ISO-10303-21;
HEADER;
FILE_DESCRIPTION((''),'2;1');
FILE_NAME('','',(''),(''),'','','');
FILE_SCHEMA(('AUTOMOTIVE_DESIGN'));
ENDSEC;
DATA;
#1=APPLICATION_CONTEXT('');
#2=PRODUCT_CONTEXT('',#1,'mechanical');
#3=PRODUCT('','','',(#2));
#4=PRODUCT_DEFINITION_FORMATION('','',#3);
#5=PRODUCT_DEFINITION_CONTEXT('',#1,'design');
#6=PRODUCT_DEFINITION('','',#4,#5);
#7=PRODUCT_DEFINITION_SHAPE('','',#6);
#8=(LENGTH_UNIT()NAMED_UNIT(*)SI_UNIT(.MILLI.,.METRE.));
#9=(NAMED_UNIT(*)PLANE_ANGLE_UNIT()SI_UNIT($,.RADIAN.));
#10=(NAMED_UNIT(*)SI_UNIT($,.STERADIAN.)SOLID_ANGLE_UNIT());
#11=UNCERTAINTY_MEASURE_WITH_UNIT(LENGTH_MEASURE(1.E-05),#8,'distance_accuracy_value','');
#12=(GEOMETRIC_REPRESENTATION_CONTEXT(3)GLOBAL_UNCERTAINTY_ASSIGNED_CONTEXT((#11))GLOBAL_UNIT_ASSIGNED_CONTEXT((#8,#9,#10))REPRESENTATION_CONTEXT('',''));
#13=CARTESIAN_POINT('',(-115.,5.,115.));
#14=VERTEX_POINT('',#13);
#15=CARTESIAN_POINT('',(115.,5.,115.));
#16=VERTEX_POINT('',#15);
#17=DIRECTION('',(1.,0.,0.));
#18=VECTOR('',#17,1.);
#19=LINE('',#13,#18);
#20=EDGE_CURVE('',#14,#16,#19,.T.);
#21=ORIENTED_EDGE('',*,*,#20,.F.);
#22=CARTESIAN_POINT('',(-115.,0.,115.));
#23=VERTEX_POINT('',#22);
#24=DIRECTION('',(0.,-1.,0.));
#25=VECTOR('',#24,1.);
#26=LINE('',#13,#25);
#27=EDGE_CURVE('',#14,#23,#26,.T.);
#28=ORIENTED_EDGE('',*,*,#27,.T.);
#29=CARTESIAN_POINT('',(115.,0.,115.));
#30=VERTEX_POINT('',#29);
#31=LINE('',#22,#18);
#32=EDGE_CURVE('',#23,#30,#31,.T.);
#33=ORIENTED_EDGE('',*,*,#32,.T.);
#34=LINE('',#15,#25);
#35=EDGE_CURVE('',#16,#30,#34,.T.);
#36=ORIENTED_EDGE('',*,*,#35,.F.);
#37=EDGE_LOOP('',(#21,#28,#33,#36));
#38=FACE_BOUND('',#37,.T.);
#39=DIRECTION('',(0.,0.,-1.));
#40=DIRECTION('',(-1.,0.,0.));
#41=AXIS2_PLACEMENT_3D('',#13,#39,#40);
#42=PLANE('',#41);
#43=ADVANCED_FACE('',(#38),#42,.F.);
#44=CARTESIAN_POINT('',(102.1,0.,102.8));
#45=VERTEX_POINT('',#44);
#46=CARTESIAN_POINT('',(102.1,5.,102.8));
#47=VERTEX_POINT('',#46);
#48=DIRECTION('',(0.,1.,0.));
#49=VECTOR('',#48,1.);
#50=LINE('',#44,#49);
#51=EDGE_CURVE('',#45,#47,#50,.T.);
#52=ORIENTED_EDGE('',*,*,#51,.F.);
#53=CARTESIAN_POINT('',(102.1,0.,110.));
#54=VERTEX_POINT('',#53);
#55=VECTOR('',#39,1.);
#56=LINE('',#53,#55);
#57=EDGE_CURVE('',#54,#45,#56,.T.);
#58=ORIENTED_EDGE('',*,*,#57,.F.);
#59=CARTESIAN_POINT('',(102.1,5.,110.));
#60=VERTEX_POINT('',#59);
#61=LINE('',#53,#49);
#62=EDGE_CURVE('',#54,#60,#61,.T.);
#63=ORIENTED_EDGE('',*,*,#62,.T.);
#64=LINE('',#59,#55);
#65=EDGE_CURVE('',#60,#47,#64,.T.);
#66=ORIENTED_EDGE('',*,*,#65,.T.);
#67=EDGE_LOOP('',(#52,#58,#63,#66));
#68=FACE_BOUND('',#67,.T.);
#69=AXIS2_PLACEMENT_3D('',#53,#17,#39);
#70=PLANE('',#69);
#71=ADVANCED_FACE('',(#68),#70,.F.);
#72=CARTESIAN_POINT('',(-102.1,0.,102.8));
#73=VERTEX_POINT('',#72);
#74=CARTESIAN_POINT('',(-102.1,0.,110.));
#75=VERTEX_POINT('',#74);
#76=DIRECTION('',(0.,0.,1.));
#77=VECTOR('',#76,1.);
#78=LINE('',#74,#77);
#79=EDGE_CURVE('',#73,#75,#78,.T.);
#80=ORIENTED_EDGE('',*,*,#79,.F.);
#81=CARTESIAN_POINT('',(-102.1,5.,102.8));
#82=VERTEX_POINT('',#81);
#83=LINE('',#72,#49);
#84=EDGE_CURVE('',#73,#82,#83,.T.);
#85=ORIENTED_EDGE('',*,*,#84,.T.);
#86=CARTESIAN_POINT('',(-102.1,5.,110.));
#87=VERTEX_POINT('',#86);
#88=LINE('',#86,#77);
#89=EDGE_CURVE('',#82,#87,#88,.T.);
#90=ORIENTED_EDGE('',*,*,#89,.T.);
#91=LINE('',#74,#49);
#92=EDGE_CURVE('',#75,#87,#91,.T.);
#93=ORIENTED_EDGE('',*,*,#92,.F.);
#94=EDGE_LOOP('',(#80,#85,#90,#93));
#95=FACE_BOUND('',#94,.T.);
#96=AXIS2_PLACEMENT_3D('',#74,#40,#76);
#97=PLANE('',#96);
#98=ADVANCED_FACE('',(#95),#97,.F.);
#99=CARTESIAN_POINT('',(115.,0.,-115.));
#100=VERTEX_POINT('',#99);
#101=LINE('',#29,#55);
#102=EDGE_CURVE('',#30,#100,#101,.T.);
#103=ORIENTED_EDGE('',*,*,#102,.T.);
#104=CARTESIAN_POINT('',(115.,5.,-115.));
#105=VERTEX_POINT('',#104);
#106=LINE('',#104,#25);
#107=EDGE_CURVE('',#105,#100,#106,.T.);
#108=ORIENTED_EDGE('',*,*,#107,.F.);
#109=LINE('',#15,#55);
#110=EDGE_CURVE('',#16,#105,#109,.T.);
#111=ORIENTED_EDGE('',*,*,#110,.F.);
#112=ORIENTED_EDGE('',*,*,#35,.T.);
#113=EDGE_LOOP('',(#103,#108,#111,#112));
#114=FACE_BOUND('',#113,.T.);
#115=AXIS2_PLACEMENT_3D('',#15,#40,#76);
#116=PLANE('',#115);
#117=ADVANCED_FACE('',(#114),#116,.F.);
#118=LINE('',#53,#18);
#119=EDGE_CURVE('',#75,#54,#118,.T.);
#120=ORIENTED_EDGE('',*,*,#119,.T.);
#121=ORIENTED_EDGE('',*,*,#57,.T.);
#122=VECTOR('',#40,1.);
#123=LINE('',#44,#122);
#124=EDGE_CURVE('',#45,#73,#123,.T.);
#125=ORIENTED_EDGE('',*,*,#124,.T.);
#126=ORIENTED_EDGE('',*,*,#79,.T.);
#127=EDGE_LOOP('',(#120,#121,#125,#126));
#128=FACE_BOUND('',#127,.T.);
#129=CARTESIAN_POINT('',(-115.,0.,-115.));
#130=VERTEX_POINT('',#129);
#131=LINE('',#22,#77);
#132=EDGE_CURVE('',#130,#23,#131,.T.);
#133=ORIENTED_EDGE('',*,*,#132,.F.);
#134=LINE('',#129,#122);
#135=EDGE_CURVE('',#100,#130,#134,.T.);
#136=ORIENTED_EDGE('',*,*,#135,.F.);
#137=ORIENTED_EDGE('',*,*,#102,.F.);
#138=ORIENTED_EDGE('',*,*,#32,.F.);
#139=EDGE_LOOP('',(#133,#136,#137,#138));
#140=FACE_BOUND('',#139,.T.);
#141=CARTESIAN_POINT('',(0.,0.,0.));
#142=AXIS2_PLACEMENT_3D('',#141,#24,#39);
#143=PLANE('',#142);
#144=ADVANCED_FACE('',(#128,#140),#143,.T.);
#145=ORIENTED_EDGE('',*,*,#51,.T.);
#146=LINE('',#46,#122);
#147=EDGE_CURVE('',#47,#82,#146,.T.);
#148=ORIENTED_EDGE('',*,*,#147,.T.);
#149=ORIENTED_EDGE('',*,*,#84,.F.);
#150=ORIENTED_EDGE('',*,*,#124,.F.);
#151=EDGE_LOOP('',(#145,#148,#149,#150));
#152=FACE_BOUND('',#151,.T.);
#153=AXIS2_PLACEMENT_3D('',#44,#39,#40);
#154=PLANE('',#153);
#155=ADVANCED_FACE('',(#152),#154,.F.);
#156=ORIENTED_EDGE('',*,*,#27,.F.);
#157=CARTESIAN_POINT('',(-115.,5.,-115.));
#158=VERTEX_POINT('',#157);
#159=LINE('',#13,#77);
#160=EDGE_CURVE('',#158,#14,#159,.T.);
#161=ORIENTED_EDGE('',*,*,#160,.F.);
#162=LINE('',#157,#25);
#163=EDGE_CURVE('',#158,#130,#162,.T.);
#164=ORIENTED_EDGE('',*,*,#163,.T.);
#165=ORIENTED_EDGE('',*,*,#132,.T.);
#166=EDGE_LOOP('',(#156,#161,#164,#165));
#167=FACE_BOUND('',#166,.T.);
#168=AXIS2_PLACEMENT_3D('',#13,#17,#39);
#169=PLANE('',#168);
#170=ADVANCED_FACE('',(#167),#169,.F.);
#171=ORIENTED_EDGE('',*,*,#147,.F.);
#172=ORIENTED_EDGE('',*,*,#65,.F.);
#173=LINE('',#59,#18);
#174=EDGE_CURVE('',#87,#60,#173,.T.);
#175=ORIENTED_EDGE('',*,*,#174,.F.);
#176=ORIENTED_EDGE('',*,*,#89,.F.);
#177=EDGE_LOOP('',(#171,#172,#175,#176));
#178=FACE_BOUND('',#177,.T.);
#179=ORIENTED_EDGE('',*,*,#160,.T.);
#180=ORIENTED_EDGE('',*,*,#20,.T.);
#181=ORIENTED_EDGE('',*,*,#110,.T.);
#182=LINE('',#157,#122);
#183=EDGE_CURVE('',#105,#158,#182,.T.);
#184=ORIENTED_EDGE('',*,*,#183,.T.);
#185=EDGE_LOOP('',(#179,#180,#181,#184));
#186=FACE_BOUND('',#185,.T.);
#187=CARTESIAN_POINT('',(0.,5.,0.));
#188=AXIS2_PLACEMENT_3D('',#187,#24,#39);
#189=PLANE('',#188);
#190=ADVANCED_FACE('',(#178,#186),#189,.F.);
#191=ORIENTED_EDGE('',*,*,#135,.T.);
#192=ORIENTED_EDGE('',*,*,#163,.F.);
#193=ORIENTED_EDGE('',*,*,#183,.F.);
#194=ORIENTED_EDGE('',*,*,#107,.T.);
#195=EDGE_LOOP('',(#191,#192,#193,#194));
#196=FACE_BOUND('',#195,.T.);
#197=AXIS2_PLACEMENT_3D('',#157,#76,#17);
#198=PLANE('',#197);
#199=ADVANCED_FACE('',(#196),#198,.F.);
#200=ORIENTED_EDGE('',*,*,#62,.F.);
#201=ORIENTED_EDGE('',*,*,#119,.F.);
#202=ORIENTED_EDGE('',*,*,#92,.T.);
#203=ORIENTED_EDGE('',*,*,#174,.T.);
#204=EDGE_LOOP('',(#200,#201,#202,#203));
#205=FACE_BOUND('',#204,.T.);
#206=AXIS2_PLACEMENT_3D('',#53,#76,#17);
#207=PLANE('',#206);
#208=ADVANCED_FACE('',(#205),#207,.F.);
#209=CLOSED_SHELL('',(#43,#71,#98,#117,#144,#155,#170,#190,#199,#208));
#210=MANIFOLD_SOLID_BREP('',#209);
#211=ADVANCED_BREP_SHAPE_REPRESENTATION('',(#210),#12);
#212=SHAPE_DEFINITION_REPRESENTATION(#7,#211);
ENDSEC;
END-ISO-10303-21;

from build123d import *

# Parameters (mm, degrees)
ESQUISSE3_W             = 230
ESQUISSE3_H             = 230
BOSS_EXTRU_1_DEPTH      = 5
ESQUISSE10_W            = 204.2
ESQUISSE10_H            = 7.2
ENL_V_MAT_EXTRU_1_DEPTH = 163.711400953


with BuildPart() as part:
    # Esquisse3 → Boss.-Extru.1 (new body)
    with BuildSketch(Plane(origin=(0, 0, 0), x_dir=(1, 0, 0), z_dir=(0, 1, 0))):
        Rectangle(ESQUISSE3_W, ESQUISSE3_H)
    extrude(amount=BOSS_EXTRU_1_DEPTH)

    # Esquisse10 → Enlèv. mat.-Extru.1 (cut, through all)
    with BuildSketch(Plane(origin=(0, 5, 0), x_dir=(1, 0, 0), z_dir=(0, 1, 0))):
        with Locations((0, -106.4)):
            Rectangle(ESQUISSE10_W, ESQUISSE10_H)
    extrude(amount=-ENL_V_MAT_EXTRU_1_DEPTH, mode=Mode.SUBTRACT)


solid = part.part
